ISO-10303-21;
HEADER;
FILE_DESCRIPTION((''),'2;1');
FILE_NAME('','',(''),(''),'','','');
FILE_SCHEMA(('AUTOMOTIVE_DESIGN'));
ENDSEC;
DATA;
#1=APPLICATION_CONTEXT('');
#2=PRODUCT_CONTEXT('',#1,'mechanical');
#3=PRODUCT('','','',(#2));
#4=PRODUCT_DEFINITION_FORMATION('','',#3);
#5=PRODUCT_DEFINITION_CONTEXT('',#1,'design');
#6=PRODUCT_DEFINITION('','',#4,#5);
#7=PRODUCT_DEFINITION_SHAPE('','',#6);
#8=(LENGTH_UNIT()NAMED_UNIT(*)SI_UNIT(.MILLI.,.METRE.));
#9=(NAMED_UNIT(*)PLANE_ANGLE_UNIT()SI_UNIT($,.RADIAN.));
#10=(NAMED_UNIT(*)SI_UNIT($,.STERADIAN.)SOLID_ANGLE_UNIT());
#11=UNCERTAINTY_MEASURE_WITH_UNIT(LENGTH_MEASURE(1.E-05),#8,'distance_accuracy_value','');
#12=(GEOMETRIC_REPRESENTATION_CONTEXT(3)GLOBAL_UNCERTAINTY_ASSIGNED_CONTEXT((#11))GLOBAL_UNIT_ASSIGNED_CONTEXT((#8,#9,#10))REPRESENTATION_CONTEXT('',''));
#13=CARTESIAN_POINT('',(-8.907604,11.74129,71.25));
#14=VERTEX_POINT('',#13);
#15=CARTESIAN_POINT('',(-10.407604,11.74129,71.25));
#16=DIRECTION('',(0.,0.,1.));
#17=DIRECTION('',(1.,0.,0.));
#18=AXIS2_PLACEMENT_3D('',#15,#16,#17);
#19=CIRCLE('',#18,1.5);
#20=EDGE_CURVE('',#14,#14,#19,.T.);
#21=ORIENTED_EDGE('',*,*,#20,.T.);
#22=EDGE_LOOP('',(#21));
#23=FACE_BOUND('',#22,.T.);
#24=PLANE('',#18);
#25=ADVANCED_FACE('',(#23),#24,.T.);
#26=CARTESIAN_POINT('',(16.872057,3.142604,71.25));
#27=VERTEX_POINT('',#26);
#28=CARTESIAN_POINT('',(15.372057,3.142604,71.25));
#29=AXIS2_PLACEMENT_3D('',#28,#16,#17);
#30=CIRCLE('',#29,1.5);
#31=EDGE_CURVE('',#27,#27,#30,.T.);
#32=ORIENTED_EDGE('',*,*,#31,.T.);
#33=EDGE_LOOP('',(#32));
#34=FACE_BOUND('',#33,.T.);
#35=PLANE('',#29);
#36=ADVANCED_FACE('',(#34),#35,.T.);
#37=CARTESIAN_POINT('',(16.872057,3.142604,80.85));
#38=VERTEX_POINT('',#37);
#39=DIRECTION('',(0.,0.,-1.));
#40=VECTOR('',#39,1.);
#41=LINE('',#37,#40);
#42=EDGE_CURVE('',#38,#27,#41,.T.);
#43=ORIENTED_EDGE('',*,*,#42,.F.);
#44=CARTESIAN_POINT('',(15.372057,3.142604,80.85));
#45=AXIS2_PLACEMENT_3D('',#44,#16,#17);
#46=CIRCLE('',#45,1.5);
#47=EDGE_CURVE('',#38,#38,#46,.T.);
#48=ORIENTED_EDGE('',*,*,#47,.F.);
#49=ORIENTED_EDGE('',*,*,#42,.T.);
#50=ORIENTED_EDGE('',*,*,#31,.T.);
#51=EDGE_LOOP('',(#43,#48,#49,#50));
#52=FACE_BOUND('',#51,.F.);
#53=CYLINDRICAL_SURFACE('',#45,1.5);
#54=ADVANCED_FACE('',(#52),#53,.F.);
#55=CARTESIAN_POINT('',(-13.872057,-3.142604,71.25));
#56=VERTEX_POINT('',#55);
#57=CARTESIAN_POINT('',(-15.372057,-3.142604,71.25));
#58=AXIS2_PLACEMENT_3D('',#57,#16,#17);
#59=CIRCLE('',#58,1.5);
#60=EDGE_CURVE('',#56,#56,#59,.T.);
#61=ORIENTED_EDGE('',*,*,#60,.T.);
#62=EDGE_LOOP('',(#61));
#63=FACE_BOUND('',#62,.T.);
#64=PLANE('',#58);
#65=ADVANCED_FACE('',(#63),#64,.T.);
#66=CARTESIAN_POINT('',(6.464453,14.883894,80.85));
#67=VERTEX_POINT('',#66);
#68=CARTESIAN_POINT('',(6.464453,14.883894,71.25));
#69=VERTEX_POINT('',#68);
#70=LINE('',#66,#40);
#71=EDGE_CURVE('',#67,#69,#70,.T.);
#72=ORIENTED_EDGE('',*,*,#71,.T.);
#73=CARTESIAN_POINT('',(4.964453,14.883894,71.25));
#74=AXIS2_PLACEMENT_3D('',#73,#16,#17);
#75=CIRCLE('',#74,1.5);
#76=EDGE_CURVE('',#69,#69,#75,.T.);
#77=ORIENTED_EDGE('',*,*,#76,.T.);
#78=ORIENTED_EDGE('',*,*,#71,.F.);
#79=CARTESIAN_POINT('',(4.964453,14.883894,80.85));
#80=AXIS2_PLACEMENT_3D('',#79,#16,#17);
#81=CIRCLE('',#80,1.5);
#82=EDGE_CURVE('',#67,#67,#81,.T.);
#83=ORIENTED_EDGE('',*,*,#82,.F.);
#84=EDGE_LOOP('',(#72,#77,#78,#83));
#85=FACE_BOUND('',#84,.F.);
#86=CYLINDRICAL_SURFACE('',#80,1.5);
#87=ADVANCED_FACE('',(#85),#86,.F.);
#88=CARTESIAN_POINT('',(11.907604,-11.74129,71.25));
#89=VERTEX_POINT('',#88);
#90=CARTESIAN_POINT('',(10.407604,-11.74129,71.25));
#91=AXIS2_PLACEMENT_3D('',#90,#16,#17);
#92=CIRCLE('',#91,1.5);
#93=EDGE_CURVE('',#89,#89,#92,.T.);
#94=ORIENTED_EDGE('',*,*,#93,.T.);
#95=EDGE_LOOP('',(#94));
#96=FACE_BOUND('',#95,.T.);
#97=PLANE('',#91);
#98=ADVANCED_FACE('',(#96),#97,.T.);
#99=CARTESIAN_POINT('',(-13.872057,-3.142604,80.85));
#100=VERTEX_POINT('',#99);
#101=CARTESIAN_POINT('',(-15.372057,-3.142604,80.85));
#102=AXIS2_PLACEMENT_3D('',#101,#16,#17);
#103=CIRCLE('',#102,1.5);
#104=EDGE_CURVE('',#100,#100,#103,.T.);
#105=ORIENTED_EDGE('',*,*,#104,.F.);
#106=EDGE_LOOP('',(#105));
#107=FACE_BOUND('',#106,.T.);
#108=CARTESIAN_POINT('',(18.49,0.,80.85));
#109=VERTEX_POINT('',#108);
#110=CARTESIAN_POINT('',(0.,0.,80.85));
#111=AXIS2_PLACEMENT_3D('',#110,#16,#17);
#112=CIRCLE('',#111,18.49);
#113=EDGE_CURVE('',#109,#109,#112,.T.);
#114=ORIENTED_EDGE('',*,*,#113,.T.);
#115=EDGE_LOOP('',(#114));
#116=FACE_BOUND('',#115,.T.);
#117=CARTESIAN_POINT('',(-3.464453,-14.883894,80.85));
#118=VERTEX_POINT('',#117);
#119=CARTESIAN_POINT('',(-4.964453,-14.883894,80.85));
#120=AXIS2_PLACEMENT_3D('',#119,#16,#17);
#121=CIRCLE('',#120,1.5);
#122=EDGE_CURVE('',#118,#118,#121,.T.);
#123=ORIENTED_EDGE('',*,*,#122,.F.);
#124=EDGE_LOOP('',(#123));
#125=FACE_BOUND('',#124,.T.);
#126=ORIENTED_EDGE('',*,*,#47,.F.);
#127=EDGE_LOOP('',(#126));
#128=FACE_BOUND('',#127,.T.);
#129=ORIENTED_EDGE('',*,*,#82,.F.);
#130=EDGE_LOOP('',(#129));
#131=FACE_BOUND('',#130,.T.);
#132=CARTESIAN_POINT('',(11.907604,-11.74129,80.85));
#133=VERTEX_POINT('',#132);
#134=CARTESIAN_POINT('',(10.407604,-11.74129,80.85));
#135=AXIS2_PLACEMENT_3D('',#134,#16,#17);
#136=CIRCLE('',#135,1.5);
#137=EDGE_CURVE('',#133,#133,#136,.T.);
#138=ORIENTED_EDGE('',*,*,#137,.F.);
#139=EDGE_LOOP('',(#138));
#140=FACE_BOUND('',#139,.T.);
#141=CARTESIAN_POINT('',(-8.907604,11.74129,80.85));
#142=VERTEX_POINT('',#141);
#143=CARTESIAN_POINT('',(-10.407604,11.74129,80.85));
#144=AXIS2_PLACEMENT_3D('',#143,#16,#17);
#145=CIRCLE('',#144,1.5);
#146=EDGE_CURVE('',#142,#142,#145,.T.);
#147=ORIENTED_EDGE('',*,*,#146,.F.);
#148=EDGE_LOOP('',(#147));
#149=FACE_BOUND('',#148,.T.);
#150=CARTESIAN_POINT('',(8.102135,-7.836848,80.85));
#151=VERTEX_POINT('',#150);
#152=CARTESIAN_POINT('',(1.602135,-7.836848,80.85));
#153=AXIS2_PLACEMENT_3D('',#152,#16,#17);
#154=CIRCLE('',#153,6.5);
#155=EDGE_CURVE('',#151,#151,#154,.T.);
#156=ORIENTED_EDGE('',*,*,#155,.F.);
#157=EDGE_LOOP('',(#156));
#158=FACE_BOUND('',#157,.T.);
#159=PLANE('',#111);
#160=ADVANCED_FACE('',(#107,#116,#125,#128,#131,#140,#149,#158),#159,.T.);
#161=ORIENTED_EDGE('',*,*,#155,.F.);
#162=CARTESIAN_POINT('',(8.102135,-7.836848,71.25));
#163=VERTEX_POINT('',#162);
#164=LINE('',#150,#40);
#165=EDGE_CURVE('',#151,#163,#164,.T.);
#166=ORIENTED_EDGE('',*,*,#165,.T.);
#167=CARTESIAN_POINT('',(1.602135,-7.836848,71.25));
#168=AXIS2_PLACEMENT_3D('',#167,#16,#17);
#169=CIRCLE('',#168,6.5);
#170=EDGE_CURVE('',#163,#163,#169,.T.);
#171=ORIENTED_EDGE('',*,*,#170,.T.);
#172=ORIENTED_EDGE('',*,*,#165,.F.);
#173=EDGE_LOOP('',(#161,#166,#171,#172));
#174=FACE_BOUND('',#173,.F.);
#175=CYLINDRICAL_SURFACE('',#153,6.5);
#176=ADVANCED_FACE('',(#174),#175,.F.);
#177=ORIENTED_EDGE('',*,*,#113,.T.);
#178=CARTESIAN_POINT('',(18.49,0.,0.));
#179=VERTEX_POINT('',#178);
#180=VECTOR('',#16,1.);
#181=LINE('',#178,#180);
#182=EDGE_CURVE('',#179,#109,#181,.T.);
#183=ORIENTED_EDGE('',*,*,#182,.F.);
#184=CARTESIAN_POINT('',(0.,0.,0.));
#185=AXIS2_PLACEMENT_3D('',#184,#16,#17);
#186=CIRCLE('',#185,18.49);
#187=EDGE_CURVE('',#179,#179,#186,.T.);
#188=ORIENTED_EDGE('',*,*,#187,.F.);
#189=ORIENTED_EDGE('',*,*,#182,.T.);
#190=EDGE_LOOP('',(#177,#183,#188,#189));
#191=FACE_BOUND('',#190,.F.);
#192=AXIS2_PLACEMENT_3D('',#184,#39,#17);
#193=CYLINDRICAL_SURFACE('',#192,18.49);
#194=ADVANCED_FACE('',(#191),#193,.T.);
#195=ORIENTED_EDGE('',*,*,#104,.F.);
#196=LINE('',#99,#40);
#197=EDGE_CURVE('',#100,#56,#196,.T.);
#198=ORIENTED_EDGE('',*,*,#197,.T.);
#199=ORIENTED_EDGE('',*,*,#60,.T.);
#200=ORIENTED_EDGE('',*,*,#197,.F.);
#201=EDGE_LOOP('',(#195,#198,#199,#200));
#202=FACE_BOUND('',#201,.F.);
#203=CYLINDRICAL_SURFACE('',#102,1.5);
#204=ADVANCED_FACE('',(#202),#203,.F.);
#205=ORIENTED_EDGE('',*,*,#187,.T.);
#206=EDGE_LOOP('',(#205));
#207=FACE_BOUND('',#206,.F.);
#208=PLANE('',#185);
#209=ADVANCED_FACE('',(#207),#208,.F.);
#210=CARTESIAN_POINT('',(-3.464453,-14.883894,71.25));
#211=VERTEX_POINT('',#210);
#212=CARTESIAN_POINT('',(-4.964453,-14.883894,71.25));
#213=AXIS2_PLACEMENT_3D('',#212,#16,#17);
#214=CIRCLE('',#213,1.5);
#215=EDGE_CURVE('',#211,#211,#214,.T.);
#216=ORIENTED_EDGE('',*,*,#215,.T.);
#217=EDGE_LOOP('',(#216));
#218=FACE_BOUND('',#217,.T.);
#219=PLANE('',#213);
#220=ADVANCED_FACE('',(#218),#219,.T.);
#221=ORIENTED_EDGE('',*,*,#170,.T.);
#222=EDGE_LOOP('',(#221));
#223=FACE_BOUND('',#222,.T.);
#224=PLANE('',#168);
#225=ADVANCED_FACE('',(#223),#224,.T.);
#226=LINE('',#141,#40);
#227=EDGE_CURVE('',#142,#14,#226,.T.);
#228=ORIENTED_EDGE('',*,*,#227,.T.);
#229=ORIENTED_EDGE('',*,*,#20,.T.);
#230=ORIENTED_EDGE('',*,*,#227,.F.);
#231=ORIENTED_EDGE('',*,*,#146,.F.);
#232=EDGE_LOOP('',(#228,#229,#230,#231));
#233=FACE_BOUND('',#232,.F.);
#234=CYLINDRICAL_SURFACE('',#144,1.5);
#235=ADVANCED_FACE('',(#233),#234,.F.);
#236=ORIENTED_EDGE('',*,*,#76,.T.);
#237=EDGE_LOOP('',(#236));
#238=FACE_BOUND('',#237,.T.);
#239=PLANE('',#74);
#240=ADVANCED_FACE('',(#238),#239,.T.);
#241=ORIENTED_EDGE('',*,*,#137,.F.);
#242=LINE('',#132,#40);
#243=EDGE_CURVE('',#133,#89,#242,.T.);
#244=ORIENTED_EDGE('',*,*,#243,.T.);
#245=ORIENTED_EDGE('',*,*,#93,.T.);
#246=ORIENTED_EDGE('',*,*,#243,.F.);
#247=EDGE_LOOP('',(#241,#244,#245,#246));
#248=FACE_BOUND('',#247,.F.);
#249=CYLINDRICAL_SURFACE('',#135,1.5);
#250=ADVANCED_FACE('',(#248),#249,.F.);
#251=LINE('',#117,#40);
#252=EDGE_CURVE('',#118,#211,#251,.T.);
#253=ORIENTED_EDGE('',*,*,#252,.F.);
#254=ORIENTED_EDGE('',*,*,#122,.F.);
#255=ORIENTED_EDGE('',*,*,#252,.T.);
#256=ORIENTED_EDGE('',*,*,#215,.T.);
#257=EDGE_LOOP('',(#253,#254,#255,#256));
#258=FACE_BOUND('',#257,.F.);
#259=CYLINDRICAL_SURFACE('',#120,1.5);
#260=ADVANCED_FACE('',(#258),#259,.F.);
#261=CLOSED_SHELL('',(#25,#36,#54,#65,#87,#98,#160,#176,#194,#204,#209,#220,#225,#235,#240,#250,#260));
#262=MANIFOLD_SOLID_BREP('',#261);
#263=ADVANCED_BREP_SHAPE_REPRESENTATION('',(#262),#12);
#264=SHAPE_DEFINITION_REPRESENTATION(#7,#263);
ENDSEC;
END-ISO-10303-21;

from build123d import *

# Parameters (mm, degrees)
F0_R     = 18.49
F1_DEPTH = 80.85
F2_R     = 1.5
F2_R_2   = 6.5
F3_DEPTH = 9.6


with BuildPart() as f1:
    # F0 (on Top) → F1 (new body)
    with BuildSketch(Plane.XY):
        Circle(F0_R)
    extrude(amount=F1_DEPTH)

    # F2 (on face) → F3 (cut)
    with BuildSketch(Plane.XY.offset(80.85)):
        with Locations((10.407604, -11.74129)):
            Circle(F2_R)
        with Locations((15.372057, 3.142604)):
            Circle(F2_R)
        with Locations((4.964453, 14.883894)):
            Circle(F2_R)
        with Locations((-10.407604, 11.74129)):
            Circle(F2_R)
        with Locations((-15.372057, -3.142604)):
            Circle(F2_R)
        with Locations((-4.964453, -14.883894)):
            Circle(F2_R)
        with Locations((1.602135, -7.836848)):
            Circle(F2_R_2)
    extrude(amount=-F3_DEPTH, mode=Mode.SUBTRACT)


solid = f1.part
